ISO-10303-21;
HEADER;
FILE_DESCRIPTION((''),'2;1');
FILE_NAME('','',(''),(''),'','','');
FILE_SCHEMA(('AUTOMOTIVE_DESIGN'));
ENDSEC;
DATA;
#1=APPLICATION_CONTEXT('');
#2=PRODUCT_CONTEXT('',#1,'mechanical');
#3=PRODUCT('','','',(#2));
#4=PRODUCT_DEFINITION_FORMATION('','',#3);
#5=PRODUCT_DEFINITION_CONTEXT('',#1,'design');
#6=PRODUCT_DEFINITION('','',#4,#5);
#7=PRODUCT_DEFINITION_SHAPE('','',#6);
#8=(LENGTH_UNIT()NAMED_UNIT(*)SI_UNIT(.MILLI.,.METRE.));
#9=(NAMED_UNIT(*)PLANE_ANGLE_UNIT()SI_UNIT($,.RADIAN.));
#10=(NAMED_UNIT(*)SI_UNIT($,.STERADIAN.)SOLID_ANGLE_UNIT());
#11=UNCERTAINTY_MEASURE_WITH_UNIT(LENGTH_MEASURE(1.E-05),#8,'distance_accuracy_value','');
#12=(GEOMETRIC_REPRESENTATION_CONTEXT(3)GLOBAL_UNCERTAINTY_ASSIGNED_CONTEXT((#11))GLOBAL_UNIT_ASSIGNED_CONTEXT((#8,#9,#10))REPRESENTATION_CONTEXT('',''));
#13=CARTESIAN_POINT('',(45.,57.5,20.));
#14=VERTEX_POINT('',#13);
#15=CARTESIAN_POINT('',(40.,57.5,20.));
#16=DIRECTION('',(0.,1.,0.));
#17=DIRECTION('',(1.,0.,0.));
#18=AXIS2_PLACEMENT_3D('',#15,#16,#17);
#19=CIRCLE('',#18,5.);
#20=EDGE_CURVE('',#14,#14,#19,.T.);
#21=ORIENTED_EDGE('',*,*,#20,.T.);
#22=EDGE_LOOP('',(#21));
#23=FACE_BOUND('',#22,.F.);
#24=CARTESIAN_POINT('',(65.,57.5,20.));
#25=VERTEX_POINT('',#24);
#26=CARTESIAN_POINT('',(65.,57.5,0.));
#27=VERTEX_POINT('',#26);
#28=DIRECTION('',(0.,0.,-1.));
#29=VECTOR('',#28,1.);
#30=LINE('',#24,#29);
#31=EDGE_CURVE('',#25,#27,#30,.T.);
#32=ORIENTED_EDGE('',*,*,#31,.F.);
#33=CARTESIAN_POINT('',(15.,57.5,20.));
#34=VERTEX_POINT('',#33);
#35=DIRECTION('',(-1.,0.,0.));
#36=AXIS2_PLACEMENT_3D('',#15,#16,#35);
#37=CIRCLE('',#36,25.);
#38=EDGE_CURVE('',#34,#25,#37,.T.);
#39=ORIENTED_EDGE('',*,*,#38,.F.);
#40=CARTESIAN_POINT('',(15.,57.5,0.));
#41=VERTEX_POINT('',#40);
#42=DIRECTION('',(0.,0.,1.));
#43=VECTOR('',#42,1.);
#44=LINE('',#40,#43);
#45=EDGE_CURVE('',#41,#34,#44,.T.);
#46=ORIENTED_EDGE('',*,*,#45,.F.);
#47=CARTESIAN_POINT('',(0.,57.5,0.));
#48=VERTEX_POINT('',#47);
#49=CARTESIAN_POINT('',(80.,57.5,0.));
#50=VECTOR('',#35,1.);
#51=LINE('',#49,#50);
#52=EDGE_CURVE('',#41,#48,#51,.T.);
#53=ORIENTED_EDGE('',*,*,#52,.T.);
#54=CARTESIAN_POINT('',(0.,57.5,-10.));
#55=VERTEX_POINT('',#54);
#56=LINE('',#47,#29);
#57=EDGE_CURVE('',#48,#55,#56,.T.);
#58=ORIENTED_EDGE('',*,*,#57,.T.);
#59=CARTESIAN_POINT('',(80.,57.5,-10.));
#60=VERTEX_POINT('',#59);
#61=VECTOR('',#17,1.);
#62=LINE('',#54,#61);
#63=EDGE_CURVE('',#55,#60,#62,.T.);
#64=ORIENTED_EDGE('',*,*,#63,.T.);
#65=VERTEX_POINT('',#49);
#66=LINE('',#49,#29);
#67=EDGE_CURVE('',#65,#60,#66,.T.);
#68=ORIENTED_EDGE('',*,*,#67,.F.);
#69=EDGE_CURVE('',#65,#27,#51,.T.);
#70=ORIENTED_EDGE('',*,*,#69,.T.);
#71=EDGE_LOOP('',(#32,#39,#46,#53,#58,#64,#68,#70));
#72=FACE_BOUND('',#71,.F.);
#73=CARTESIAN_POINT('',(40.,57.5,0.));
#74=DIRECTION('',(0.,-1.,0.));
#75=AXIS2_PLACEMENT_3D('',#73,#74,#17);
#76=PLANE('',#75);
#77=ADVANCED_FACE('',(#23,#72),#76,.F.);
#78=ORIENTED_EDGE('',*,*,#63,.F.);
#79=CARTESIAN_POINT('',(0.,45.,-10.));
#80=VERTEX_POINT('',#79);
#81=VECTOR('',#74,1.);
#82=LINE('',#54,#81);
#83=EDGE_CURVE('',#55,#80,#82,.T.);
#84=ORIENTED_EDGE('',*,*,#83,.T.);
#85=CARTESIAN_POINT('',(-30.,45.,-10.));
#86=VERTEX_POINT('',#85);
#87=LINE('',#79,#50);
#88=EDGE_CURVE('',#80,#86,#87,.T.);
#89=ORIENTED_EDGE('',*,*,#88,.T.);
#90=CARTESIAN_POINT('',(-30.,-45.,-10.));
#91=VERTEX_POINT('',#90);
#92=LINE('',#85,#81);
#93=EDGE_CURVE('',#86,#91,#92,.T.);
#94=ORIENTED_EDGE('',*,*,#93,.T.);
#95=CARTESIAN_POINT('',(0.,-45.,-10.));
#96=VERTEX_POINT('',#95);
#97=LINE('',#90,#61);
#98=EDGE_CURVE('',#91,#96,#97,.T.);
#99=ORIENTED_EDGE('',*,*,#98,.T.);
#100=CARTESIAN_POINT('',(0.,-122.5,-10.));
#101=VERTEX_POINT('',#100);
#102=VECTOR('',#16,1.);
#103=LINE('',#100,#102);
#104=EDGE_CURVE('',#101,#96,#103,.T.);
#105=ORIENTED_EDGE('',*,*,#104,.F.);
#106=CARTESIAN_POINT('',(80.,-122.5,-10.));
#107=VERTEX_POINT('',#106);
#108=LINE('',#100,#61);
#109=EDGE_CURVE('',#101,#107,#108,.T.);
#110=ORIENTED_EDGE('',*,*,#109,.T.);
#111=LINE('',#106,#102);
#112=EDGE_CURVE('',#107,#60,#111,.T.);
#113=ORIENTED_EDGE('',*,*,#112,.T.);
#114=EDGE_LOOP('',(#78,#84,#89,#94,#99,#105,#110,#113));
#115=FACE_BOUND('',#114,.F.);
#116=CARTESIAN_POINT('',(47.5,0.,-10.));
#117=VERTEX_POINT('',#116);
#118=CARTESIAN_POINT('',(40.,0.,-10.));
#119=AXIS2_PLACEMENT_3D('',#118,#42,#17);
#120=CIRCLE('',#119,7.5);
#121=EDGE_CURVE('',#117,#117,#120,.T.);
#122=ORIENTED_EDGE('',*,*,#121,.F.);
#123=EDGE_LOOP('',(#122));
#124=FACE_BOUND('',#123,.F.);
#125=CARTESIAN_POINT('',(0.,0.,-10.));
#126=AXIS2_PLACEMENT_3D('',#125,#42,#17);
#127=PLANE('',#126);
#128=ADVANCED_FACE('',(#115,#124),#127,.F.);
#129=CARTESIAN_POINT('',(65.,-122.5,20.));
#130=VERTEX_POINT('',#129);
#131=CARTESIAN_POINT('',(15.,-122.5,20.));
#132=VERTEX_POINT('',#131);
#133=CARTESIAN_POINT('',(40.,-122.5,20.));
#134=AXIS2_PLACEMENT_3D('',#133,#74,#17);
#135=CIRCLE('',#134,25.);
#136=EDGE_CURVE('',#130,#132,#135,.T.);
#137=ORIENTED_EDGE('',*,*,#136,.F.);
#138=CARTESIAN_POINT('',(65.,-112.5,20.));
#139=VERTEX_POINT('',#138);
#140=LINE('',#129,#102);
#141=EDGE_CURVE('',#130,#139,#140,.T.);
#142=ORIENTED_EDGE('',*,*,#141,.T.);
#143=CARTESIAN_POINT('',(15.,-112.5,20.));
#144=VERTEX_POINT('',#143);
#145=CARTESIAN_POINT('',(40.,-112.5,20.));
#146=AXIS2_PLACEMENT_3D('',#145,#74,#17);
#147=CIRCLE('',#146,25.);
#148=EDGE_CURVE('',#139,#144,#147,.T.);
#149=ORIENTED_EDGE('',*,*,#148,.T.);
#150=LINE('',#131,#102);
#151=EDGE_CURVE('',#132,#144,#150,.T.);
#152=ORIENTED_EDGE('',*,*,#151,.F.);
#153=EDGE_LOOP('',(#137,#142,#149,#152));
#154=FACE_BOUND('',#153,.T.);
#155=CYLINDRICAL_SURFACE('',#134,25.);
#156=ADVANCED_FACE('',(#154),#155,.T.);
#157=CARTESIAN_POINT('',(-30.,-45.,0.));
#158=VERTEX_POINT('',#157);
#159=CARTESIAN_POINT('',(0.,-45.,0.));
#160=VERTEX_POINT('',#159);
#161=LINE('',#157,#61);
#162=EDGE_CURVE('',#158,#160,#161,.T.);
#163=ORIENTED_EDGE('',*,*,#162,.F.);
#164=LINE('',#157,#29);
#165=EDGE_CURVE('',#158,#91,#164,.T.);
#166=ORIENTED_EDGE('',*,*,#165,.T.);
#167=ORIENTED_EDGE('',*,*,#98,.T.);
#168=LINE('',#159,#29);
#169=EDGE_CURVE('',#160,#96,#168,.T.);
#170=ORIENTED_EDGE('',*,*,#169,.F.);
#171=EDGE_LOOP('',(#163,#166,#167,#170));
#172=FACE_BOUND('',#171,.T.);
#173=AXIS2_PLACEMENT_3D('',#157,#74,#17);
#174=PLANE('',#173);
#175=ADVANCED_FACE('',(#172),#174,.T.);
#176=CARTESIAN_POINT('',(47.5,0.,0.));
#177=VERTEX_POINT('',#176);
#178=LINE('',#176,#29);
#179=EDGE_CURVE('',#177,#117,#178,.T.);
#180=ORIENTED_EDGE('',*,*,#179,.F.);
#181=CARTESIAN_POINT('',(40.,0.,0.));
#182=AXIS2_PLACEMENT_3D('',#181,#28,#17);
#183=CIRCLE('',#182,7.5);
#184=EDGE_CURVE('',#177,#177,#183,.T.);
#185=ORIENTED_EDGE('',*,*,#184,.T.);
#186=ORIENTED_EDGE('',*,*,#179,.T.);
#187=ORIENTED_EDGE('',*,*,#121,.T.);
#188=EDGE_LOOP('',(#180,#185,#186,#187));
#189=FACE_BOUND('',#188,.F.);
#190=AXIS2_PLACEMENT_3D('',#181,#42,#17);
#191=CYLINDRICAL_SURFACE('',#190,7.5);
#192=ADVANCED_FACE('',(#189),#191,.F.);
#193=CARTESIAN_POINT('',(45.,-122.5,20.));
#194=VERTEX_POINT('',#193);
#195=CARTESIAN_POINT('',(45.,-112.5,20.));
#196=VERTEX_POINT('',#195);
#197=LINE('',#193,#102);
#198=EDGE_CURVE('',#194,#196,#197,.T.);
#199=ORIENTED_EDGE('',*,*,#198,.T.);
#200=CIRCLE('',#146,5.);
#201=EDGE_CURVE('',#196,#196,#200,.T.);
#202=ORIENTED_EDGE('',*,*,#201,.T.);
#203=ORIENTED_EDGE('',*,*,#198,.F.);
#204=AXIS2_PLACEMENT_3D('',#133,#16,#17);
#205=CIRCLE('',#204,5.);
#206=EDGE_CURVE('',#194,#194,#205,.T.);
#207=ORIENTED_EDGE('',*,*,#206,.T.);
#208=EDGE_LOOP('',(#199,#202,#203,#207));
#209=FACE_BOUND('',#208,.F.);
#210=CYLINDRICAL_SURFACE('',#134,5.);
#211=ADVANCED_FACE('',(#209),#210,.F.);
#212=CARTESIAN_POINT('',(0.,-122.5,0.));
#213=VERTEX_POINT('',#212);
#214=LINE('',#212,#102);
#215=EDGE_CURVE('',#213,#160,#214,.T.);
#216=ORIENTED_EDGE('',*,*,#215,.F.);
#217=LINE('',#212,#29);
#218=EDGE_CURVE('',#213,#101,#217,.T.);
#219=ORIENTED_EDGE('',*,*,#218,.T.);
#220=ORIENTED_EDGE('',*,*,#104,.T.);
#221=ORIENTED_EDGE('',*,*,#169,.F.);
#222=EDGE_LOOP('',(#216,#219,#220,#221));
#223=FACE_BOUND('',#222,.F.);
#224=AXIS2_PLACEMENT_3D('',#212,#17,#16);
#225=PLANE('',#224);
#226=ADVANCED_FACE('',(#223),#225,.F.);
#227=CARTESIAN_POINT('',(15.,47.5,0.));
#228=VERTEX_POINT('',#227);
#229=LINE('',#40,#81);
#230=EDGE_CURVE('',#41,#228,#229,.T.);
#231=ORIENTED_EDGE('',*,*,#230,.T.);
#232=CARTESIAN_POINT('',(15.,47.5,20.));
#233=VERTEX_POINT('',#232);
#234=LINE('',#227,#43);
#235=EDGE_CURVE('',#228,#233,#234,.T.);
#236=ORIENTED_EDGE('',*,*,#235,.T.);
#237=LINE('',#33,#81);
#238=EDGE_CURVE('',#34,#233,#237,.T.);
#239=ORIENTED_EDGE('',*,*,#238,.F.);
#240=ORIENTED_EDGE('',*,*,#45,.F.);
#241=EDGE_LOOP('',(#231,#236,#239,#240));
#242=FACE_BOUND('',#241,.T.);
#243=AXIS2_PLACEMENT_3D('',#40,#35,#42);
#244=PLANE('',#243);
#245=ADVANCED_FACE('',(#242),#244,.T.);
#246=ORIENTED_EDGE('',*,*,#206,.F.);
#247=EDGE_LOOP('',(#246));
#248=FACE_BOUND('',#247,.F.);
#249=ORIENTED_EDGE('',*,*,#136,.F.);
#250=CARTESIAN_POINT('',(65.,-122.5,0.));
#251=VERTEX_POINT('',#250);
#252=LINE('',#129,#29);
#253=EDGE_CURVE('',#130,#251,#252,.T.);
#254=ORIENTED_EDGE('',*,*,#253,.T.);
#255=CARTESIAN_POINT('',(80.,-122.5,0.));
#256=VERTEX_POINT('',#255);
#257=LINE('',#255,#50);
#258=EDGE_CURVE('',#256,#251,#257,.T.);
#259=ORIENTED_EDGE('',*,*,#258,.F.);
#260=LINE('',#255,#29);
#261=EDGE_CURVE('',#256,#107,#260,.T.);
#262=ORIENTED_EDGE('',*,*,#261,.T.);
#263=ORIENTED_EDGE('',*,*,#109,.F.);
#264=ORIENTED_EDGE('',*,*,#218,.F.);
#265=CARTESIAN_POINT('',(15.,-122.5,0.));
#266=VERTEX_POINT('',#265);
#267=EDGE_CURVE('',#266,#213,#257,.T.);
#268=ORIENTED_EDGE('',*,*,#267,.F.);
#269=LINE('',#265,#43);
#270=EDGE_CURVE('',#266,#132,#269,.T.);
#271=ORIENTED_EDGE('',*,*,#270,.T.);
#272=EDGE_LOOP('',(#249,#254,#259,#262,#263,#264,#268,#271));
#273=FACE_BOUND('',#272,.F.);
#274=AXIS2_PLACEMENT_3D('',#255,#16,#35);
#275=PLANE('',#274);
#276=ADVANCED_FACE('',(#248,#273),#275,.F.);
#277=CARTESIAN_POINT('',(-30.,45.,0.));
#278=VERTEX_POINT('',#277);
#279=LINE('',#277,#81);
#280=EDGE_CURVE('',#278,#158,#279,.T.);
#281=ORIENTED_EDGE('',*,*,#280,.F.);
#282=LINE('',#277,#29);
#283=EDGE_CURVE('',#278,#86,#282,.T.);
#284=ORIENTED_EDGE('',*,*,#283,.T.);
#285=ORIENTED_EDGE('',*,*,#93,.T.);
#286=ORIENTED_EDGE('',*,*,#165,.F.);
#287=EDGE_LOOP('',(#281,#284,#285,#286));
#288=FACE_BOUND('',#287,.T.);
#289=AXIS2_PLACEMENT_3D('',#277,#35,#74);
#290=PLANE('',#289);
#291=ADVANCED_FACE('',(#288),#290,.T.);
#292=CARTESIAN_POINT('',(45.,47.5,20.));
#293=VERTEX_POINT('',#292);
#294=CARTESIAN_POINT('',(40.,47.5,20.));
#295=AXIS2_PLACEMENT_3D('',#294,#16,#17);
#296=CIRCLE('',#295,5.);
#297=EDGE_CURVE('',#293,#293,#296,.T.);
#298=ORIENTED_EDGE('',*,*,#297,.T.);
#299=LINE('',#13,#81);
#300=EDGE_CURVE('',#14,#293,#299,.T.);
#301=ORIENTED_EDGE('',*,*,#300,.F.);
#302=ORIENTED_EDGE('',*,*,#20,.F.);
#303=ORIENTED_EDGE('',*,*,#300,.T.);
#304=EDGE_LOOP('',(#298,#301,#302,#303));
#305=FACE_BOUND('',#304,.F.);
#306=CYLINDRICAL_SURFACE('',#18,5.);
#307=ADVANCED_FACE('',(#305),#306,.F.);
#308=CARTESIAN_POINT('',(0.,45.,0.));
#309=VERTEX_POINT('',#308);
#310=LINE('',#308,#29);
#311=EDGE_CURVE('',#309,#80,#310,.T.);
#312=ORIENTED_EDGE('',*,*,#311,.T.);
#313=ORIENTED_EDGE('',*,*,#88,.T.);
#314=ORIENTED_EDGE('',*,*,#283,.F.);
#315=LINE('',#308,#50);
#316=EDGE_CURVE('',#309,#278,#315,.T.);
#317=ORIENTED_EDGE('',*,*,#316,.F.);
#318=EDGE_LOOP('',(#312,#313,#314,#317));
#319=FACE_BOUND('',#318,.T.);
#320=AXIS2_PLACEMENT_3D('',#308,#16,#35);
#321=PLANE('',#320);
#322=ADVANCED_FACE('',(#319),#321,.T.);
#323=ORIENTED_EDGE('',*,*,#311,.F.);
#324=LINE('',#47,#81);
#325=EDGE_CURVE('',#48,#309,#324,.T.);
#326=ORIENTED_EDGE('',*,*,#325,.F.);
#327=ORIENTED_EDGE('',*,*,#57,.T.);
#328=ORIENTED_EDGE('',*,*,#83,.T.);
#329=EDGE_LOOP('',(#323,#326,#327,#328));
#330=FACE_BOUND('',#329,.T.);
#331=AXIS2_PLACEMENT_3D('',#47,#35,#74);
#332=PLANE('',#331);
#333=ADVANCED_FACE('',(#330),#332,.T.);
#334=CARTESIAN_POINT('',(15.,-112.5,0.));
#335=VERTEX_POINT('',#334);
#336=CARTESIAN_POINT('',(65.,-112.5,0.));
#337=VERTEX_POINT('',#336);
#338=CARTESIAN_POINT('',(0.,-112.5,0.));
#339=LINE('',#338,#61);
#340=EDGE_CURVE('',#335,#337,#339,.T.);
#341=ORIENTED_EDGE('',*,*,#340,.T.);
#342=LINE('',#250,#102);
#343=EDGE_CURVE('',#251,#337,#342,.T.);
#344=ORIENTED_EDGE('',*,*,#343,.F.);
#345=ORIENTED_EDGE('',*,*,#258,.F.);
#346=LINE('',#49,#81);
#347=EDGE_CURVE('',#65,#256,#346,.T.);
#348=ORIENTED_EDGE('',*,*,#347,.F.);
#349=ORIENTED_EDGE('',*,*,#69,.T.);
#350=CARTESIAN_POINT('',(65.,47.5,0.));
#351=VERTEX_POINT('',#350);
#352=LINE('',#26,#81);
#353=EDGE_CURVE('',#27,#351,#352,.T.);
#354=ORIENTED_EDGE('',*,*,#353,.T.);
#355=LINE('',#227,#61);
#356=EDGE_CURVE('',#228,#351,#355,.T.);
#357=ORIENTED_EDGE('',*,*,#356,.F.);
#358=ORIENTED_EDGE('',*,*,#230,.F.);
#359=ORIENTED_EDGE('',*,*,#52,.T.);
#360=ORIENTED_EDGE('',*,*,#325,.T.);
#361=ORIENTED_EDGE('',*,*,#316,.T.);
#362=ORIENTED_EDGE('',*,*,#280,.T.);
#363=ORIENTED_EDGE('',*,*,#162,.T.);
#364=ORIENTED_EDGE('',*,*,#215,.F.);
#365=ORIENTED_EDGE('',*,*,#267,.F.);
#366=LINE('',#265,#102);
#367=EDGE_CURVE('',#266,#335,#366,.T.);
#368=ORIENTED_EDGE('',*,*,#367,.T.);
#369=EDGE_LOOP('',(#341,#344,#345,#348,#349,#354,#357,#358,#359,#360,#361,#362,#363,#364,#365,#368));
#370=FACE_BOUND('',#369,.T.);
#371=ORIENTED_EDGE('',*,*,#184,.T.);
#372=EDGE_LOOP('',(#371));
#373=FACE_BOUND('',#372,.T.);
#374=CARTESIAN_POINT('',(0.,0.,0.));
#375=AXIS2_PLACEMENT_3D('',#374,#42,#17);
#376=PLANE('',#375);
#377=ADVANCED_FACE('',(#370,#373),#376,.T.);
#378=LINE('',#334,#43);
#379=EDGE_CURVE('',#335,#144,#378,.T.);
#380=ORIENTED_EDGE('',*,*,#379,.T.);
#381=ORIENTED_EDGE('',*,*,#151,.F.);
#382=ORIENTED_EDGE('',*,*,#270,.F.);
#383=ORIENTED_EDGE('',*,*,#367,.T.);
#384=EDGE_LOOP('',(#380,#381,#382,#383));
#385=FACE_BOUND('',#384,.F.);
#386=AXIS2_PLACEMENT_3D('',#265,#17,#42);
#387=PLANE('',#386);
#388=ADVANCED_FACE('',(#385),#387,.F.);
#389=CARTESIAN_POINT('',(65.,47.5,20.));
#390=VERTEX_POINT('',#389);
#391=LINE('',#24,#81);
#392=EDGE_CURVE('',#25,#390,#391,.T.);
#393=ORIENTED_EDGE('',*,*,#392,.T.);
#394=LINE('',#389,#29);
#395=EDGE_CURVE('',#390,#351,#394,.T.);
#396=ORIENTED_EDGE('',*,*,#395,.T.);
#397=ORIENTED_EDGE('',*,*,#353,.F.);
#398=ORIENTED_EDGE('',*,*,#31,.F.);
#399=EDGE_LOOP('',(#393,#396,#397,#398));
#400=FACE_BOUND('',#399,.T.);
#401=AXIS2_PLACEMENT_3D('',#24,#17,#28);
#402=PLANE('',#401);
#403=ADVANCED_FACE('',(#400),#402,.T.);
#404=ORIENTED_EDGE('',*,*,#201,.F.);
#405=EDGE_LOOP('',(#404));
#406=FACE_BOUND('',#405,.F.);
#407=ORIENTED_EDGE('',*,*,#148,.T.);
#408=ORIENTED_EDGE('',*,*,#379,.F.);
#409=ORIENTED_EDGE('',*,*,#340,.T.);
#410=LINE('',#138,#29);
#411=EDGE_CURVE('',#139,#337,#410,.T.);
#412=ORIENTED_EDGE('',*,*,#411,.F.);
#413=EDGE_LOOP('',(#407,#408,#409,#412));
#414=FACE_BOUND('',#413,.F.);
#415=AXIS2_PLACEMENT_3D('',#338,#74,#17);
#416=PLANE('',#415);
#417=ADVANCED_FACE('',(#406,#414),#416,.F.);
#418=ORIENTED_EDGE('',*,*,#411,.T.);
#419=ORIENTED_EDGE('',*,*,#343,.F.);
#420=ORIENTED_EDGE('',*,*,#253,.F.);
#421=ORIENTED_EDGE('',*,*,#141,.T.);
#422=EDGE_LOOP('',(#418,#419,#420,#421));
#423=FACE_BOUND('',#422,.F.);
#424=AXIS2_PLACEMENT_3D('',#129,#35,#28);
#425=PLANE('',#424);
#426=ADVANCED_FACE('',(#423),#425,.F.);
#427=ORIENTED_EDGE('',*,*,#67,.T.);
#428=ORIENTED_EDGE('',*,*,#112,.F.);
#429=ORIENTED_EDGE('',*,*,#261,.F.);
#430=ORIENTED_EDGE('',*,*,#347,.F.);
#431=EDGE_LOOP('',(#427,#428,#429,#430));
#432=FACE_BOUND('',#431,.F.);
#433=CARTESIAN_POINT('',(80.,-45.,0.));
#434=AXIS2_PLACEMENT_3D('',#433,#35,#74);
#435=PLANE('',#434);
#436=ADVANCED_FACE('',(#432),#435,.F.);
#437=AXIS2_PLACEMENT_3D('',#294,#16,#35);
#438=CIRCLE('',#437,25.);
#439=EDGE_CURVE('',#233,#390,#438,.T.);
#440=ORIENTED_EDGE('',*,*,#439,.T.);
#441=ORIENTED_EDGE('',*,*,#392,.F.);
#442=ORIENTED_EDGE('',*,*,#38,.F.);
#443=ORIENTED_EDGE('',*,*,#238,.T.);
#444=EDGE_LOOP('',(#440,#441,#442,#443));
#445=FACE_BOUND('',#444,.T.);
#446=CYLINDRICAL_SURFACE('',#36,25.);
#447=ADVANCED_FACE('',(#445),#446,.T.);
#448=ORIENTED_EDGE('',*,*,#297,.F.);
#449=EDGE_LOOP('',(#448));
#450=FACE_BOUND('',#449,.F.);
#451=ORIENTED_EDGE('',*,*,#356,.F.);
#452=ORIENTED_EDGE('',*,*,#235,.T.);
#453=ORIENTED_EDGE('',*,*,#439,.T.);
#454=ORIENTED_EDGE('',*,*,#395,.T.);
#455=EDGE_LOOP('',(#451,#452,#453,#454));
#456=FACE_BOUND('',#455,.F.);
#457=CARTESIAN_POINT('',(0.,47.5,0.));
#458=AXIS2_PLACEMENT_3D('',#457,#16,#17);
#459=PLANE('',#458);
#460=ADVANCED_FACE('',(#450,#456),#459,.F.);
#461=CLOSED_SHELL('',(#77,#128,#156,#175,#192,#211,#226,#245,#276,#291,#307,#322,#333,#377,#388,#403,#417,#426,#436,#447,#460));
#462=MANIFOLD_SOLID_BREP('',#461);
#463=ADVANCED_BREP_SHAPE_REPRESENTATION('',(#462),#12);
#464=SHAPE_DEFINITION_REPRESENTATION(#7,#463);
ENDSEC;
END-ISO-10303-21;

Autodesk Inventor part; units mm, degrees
ref_plane "YZ Plane" through (0, 0, 0) normal (1, 0, 0) x (0, 1, 0)
ref_plane "XZ Plane" through (0, 0, 0) normal (0, 1, 0) x (-1, 0, 0)
ref_plane "XY Plane" through (0, 0, 0) normal (0, 0, 1) x (1, 0, 0)
sketch "스케치1" plane through (0, 0, 0) normal (0, 0, 1) x (1, 0, 0)
  line L0 (80, -122.5) -> (0, -122.5)
  line L1 (0, -122.5) -> (0, 2.5789)
  line L2 (80, 57.5) -> (80, -122.5)
  line L3 (80, -45) -> (80, -122.5)
  line L4 (40, 57.5) -> (40, -122.5)
  circle A0 centre (40, 47.0427) radius 7.5
  circle A1 centre (-7.0427, 0) radius 7.5
  circle A2 centre (40, -47.0427) radius 7.5
  circle A3 centre (87.0427, 0) radius 7.5
  circle A4 centre (40, 0) radius 7.5
  line L5 (0, 57.5) -> (80, 57.5)
  line L6 (0, 45) -> (-30, 45)
  line L7 (-30, 45) -> (-30, -45)
  line L8 (-30, -45) -> (0, -45)
  line L9 (0, 57.5) -> (0, 45)
  point P0 (0, 0)
  point P1 (0, 0)
  dimension "d0" = 80
  dimension "d12" = 15
  dimension "d13" = 360
  dimension "d14" = 0
  dimension "d15" = 47.0427
  dimension "d16" = 47.0427
  dimension "d21" = 15
  dimension "d29" = 122.5
  dimension "d31" = 45
  dimension "d32" = 30
  dimension "d33" = 45
  dimension "d34" = 12.5
extrude "돌출1" add sketch "스케치1" against normal blind 10 contours L0 L4 A2 A4 A0 L5 L2 A3 | A1 L1 | L1 A1 | L0 L1 L8 L7 L6 L9 L5 L4 A0 A4 A2 | A2 L4 | L4 A2 | A3 L2 | A4 L4 | L4 A4 | A0 L4 | L4 A0 picked at (79.8647, 0.2918)
extrude "돌출3" cut sketch "스케치1" against normal blind 40 contours A4 L4 | L4 A4
sketch "스케치2" plane through (0, -122.5, 0) normal (0, -1, 0) x (1, 0, 0)
  line L0 (0, 0) -> (80, 0) projected
  line L1 (15, 0) -> (15, 20)
  line L2 (15, 20) -> (65, 20)
  line L3 (65, 20) -> (65, 0)
  arc A0 (65, 20) -> (15, 20) centre (40, 20) ccw
  circle A1 centre (40, 20) radius 5
  point P0 (40, 0)
  dimension "d24" = 20
  dimension "d25" = 50
  dimension "d26" = 25
  dimension "d28" = 10
extrude "돌출4" add sketch "스케치2" against normal blind 10 contours L1 L2 A1 L3 L0 | A0 L2 A1
sketch "스케치3" plane through (0, 57.5, 0) normal (0, 1, 0) x (1, 0, 0)
  line L0 (15, 0) -> (15, -20) projected
  arc A0 (15, -20) -> (65, -20) centre (40, -20) ccw projected
  line L1 (65, -20) -> (65, 0) projected
  line L2 (15, 0) -> (65, 0) projected
  circle A1 centre (40, -20) radius 5 projected
  point P0 (0, 0)
extrude "돌출5" add sketch "스케치3" against normal blind 10
properties part number "wheel_braket_rear"
